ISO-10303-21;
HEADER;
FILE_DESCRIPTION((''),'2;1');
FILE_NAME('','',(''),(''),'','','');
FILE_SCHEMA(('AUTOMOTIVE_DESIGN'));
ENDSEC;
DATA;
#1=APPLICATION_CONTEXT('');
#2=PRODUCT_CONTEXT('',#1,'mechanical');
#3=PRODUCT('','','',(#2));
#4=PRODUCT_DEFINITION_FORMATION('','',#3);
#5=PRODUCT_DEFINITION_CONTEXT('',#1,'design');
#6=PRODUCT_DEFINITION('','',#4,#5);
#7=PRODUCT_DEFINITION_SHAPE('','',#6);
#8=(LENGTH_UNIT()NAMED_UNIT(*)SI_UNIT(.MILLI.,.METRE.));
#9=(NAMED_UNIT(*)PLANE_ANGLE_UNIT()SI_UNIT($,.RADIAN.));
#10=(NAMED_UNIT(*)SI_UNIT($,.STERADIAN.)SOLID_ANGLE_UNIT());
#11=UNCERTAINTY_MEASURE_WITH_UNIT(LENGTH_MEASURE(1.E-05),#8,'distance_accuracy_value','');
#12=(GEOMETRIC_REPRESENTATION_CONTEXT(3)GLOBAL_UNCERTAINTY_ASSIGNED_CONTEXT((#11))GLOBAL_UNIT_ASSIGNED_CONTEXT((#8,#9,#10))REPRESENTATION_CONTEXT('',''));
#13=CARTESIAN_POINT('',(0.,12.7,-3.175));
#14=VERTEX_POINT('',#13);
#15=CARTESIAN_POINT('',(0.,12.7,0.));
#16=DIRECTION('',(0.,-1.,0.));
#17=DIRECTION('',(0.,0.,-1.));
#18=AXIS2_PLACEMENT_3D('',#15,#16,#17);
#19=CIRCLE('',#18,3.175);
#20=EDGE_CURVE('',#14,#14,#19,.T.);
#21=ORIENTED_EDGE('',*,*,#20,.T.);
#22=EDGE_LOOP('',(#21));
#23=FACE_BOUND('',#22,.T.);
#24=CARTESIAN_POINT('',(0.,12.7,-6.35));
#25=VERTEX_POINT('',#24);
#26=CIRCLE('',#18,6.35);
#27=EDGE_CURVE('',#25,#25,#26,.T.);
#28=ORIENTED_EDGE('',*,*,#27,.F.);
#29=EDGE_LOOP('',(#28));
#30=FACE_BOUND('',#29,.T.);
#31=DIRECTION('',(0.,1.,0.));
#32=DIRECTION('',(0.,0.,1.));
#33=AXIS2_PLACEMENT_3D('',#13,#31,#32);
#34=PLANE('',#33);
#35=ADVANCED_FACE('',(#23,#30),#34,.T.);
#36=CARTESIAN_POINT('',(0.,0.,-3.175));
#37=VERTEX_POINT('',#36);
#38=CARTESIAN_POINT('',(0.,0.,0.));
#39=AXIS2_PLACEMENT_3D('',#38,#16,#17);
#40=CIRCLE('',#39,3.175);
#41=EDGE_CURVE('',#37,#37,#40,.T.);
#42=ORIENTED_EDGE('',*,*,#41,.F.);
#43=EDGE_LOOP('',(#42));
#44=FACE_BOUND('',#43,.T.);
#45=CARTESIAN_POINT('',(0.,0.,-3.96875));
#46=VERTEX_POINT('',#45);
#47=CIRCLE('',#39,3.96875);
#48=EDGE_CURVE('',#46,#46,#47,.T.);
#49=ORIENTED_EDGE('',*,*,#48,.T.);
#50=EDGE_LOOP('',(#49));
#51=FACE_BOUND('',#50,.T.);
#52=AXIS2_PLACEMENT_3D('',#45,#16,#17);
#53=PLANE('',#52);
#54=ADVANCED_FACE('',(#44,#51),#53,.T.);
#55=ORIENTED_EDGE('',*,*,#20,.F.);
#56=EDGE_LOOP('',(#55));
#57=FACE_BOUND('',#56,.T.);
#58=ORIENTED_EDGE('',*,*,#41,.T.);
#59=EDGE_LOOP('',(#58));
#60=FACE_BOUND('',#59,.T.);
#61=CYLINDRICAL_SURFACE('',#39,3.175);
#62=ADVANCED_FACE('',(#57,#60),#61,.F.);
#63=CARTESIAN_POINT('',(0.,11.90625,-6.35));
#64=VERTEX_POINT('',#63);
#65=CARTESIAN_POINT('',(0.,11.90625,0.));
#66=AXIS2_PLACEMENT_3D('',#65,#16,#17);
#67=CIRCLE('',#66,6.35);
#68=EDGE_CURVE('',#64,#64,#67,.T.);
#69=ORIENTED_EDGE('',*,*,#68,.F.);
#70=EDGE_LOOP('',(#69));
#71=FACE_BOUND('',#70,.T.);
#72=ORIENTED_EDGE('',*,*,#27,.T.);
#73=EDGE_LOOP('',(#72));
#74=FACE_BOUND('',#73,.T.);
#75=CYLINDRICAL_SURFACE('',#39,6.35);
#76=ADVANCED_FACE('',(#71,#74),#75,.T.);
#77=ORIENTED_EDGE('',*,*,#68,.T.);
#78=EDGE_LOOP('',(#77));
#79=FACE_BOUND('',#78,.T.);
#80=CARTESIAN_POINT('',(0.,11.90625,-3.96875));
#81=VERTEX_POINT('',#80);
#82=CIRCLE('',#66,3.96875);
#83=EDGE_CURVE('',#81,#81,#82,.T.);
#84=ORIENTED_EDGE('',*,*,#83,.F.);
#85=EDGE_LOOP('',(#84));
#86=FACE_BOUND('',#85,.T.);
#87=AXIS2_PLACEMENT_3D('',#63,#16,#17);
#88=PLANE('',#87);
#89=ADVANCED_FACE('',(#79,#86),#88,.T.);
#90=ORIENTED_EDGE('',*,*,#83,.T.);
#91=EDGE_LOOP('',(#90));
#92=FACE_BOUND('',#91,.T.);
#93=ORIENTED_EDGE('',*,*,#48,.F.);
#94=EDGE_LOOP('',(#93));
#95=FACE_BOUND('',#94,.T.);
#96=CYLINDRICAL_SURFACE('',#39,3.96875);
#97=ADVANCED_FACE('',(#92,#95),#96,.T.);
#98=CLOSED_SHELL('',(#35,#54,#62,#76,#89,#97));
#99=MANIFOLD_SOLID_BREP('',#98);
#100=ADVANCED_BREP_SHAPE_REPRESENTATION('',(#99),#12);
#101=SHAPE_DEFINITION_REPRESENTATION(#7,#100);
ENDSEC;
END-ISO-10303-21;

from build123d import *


with BuildPart() as part:
    # Sketch1 → Revolve1 (revolve)
    with BuildSketch(Plane(origin=(0, 0, 0), x_dir=(0, 0, -1), z_dir=(1, 0, 0))):
        Polygon((3.175, 0), (3.175, 12.7), (6.35, 12.7), (6.35, 11.90625), (3.96875, 11.90625), (3.96875, 0), align=None)
    revolve(axis=Axis((0, 0, 0), (0, 1, 0)))


solid = part.part
